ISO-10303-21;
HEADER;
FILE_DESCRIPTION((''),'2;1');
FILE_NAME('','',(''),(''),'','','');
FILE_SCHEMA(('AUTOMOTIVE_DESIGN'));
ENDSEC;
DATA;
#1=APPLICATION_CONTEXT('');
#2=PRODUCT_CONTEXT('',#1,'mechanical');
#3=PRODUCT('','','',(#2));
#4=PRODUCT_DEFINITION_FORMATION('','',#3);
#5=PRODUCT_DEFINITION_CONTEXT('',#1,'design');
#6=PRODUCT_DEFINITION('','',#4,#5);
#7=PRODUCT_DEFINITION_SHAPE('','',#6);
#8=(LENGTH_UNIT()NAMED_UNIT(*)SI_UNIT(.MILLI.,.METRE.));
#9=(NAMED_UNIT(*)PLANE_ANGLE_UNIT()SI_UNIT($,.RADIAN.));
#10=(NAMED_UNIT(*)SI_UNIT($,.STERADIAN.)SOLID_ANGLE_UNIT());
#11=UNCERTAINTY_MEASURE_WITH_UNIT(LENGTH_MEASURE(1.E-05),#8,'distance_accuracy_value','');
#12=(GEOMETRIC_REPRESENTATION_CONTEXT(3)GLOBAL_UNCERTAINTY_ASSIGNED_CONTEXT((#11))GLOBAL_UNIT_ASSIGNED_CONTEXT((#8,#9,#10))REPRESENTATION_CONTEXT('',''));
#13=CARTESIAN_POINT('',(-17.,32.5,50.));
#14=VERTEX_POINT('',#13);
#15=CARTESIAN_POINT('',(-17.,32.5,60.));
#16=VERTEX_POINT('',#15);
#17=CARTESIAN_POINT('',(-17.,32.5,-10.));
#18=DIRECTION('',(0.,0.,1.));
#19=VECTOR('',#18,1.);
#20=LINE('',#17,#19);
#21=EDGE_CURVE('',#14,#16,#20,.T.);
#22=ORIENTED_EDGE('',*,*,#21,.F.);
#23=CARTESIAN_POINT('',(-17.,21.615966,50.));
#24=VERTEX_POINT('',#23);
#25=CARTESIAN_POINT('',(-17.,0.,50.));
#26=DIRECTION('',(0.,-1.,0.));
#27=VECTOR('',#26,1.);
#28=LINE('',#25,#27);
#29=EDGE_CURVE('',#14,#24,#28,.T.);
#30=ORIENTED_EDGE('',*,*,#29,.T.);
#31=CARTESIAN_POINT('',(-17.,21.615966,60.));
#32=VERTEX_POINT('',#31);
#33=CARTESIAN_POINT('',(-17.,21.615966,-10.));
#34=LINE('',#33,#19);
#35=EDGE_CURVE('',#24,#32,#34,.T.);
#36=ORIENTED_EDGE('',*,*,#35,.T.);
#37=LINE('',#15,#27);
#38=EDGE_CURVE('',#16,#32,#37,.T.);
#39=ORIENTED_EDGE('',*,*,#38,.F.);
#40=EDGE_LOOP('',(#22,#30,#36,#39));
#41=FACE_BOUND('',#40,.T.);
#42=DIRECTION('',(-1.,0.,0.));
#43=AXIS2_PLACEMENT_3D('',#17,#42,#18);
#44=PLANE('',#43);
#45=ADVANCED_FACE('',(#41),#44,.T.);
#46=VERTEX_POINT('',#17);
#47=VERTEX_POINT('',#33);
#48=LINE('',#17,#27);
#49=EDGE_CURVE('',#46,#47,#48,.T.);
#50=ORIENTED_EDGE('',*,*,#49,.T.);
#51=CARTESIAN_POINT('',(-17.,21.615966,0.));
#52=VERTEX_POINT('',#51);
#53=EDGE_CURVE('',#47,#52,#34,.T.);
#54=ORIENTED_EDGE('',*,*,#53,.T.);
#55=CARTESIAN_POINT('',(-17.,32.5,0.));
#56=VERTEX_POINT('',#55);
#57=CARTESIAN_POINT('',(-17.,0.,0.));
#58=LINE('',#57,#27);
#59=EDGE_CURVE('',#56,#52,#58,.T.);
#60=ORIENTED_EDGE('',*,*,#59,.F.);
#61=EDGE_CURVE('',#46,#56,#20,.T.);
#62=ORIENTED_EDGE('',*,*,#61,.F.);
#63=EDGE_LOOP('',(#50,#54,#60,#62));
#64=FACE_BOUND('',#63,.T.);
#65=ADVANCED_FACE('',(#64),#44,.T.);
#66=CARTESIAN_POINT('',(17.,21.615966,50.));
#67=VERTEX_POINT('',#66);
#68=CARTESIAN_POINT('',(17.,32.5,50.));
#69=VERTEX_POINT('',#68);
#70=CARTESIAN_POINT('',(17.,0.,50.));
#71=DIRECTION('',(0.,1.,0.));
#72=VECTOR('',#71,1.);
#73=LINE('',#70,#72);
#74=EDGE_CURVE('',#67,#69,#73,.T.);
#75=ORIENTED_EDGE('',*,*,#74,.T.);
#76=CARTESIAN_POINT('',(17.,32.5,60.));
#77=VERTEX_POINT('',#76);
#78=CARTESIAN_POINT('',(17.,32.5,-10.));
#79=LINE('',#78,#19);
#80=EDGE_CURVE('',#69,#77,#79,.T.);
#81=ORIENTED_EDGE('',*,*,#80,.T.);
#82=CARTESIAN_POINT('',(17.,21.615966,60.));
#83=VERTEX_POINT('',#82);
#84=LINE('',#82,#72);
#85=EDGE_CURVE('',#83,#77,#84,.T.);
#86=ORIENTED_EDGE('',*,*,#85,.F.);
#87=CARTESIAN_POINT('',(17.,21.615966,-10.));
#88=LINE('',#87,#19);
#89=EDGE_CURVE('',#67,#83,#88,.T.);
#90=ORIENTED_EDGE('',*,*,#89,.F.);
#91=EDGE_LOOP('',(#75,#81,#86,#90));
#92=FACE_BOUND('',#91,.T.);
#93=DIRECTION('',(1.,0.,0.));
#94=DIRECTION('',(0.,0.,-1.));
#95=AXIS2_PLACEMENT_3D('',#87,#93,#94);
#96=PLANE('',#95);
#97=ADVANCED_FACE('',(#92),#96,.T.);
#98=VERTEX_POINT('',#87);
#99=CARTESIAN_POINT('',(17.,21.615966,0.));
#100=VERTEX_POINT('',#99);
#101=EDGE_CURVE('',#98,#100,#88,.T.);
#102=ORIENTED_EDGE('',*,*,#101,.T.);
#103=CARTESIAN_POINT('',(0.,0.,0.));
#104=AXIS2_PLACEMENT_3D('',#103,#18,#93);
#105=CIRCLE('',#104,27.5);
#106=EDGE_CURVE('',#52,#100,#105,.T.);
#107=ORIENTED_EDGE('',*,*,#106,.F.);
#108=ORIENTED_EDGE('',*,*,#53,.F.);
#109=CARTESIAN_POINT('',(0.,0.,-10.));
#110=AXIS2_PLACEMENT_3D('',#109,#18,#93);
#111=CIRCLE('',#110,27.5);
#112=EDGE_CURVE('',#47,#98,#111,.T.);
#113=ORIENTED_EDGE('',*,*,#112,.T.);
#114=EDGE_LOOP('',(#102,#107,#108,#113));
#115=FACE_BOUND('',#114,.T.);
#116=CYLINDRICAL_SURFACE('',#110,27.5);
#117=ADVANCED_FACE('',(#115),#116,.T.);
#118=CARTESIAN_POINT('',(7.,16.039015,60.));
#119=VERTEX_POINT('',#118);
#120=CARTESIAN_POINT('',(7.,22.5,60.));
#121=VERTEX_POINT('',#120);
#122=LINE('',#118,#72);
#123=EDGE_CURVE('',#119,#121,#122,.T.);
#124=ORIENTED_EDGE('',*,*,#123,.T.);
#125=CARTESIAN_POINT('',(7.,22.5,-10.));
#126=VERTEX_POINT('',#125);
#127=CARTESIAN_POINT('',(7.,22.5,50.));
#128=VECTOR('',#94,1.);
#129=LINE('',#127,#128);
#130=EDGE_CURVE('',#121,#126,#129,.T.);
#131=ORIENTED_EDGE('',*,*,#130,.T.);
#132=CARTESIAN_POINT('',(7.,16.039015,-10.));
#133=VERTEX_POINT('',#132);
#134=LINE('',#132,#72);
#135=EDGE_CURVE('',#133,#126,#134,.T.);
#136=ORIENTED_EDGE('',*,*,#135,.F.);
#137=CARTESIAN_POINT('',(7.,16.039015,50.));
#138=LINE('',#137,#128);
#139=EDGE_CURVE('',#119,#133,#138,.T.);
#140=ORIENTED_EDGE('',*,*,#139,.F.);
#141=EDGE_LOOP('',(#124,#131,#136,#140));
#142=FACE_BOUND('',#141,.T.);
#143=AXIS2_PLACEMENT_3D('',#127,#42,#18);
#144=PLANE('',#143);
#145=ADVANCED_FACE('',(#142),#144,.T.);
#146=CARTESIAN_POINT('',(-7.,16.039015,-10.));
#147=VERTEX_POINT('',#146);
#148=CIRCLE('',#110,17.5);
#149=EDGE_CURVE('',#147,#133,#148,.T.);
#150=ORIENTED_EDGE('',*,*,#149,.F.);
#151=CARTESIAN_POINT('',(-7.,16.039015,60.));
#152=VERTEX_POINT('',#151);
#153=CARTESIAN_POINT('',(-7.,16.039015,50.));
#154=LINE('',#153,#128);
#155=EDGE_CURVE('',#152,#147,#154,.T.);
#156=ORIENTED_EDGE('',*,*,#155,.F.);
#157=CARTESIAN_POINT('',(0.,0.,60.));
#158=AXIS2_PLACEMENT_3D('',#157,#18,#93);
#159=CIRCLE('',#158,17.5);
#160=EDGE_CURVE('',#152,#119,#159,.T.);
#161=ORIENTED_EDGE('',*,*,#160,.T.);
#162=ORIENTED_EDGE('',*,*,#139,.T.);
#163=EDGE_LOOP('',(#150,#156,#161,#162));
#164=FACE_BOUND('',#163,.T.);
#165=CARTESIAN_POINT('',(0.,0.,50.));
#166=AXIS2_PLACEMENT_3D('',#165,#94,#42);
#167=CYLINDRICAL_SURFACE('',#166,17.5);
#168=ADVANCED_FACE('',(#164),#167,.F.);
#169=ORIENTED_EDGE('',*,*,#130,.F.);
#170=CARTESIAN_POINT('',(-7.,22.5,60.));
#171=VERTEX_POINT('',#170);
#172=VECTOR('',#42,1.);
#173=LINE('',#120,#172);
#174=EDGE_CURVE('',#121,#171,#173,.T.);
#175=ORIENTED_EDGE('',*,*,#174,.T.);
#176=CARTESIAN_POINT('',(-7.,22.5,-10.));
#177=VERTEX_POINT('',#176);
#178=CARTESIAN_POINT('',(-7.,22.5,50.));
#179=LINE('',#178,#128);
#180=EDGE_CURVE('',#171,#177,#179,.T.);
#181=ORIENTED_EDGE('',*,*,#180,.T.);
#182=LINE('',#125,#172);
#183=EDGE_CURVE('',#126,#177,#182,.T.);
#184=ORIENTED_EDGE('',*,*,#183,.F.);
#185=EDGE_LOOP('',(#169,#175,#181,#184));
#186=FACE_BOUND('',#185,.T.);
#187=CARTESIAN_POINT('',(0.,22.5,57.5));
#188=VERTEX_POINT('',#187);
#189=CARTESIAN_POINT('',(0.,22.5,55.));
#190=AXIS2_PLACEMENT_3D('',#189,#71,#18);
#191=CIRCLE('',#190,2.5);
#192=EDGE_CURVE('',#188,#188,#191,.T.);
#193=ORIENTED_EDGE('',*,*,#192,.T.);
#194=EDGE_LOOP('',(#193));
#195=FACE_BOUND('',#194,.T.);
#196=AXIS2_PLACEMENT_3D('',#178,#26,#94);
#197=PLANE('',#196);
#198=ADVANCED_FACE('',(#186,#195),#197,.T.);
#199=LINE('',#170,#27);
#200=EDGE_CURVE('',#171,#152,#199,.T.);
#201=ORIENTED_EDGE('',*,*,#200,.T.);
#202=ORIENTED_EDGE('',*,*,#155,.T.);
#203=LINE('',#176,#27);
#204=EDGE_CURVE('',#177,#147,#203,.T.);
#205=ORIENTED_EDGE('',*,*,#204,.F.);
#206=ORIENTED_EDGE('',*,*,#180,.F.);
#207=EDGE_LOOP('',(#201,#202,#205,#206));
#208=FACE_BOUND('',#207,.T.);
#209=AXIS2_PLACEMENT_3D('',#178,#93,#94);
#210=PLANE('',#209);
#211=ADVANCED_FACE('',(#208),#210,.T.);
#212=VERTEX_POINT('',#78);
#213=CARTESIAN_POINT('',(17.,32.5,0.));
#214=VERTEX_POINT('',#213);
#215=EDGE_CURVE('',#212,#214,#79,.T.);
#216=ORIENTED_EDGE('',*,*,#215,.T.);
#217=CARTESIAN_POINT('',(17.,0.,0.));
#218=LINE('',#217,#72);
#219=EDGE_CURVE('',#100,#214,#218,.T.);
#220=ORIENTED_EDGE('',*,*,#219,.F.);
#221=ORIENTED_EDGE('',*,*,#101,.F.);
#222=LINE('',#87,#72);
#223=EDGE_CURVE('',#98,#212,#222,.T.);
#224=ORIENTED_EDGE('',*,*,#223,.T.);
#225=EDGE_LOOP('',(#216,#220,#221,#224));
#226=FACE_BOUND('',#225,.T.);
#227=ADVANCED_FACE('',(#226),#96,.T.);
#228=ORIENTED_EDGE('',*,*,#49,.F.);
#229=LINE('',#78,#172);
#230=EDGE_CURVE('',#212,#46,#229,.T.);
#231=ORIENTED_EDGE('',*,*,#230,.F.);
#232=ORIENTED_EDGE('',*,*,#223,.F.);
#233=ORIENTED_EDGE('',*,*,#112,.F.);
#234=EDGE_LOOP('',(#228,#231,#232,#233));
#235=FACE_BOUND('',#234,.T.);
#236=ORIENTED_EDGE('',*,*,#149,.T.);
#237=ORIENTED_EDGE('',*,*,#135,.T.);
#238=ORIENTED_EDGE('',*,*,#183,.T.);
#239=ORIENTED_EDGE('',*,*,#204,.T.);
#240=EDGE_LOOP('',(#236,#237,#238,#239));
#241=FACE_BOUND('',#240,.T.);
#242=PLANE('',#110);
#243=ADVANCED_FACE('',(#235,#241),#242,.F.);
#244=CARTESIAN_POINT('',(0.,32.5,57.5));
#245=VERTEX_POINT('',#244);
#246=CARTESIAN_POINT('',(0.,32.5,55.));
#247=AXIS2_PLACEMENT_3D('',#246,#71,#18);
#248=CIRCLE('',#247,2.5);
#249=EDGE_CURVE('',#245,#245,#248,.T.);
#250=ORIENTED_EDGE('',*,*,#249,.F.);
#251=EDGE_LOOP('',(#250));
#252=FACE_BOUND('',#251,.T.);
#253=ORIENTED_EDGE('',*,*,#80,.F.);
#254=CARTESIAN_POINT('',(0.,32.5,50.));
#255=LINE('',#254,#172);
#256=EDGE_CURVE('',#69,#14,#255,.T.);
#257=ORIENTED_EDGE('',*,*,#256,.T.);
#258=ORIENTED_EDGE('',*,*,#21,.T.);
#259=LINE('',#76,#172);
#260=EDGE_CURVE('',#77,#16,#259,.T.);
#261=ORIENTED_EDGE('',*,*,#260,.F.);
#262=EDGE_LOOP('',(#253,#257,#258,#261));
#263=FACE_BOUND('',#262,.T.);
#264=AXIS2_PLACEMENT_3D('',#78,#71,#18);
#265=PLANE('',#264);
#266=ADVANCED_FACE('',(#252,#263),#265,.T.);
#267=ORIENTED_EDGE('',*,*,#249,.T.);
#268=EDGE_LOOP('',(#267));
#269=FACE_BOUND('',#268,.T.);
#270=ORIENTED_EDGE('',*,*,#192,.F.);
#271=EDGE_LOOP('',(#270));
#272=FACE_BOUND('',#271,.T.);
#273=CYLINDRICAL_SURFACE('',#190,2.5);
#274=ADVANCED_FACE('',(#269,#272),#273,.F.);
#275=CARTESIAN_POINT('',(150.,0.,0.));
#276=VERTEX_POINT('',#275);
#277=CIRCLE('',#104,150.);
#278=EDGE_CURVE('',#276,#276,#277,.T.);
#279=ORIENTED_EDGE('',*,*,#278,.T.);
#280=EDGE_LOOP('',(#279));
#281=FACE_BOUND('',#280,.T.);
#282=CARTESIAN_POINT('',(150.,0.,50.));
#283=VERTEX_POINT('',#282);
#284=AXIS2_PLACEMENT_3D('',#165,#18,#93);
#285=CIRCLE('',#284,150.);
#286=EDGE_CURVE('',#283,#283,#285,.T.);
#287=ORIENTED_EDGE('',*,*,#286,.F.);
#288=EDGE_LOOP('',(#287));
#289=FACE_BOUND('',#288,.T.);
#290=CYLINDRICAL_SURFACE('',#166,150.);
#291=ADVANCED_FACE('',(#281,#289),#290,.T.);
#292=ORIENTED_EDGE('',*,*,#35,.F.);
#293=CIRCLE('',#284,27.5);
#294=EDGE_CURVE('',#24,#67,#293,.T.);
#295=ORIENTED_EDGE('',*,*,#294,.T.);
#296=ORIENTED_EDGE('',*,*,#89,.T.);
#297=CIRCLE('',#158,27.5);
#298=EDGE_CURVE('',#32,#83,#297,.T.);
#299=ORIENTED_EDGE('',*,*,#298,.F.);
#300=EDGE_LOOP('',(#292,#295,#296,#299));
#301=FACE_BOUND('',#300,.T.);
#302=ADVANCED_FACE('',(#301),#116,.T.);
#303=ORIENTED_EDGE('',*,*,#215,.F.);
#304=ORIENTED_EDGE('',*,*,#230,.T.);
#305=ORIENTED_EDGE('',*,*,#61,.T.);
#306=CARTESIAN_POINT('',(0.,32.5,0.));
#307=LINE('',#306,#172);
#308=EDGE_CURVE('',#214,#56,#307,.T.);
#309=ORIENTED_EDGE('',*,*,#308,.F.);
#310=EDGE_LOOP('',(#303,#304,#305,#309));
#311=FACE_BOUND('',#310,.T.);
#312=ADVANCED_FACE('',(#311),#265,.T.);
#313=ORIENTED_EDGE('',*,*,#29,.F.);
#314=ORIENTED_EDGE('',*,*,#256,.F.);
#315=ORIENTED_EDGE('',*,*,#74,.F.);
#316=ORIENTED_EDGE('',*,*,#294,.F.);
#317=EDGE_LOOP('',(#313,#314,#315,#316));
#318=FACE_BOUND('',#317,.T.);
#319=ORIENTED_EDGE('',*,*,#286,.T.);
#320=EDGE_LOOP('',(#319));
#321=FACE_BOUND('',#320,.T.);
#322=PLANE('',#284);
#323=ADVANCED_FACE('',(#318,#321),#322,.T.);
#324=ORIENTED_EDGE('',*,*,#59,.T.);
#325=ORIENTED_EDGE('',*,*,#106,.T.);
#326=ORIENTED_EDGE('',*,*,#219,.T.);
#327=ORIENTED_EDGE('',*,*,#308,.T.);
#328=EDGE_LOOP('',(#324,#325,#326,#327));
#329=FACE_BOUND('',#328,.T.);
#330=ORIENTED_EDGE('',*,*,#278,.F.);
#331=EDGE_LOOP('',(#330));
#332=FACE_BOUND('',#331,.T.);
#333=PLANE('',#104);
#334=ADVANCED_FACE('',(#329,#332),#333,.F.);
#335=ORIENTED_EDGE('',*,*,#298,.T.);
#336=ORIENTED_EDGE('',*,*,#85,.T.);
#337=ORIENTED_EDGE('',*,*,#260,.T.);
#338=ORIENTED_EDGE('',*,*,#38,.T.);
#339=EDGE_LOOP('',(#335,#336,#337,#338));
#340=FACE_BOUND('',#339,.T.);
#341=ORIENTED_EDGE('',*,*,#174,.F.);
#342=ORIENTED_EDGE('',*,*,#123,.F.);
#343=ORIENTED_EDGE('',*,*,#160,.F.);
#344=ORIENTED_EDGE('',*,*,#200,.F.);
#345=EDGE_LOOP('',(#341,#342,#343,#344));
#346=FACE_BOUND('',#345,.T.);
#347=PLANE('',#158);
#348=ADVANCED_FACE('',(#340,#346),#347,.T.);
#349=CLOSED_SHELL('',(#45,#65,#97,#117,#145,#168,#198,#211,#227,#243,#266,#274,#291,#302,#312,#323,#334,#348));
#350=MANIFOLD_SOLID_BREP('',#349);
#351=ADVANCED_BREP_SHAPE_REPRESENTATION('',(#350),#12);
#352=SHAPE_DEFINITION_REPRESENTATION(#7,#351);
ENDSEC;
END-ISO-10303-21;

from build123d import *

# Parameters (mm, degrees)
SKETCH1_R                = 150
BOSS_EXTRUDE1_DEPTH      = 50
BOSS_EXTRUDE2_DEPTH      = 10
BOSS_EXTRUDE2_DEPTH_BACK = 60
SKETCH3_R                = 2.5
CUT_EXTRUDE1_DEPTH       = 10


with BuildPart() as part:
    # Sketch1 → Boss-Extrude1 (new body)
    with BuildSketch(Plane.XY):
        Circle(SKETCH1_R)
        with BuildLine():
            Line((-7, 22.5), (7, 22.5))
            Line((7, 22.5), (7, 16.039014932))
            ThreePointArc((7, 16.039014932), (0, -17.5), (-7, 16.039014932))
            Line((-7, 16.039014932), (-7, 22.5))
        make_face(mode=Mode.SUBTRACT)
    extrude(amount=BOSS_EXTRUDE1_DEPTH)

    # Sketch2 → Boss-Extrude2 (add, two sides: drawn at the far end of the back side and taken through both)
    with BuildSketch(Plane.XY.offset(50).offset(-BOSS_EXTRUDE2_DEPTH_BACK)):
        with BuildLine():
            Line((17, 21.615966321), (17, 32.5))
            Line((17, 32.5), (-17, 32.5))
            Line((-17, 32.5), (-17, 21.615966321))
            ThreePointArc((-17, 21.615966321), (0, -27.5), (17, 21.615966321))
        make_face()
        with BuildLine():
            Line((7, 16.039014932), (7, 22.5))
            Line((7, 22.5), (-7, 22.5))
            Line((-7, 22.5), (-7, 16.039014932))
            ThreePointArc((-7, 16.039014932), (0, -17.5), (7, 16.039014932))
        make_face(mode=Mode.SUBTRACT)
    extrude(amount=BOSS_EXTRUDE2_DEPTH + BOSS_EXTRUDE2_DEPTH_BACK)

    # Sketch3 → Cut-Extrude1 (cut)
    with BuildSketch(Plane(origin=(0, 32.5, 0), x_dir=(1, 0, 0), z_dir=(0, 1, 0))):
        with Locations(Location((0, -55, 0), (0, 0, 270))):
            Circle(SKETCH3_R)
    extrude(amount=-CUT_EXTRUDE1_DEPTH, mode=Mode.SUBTRACT)


solid = part.part
